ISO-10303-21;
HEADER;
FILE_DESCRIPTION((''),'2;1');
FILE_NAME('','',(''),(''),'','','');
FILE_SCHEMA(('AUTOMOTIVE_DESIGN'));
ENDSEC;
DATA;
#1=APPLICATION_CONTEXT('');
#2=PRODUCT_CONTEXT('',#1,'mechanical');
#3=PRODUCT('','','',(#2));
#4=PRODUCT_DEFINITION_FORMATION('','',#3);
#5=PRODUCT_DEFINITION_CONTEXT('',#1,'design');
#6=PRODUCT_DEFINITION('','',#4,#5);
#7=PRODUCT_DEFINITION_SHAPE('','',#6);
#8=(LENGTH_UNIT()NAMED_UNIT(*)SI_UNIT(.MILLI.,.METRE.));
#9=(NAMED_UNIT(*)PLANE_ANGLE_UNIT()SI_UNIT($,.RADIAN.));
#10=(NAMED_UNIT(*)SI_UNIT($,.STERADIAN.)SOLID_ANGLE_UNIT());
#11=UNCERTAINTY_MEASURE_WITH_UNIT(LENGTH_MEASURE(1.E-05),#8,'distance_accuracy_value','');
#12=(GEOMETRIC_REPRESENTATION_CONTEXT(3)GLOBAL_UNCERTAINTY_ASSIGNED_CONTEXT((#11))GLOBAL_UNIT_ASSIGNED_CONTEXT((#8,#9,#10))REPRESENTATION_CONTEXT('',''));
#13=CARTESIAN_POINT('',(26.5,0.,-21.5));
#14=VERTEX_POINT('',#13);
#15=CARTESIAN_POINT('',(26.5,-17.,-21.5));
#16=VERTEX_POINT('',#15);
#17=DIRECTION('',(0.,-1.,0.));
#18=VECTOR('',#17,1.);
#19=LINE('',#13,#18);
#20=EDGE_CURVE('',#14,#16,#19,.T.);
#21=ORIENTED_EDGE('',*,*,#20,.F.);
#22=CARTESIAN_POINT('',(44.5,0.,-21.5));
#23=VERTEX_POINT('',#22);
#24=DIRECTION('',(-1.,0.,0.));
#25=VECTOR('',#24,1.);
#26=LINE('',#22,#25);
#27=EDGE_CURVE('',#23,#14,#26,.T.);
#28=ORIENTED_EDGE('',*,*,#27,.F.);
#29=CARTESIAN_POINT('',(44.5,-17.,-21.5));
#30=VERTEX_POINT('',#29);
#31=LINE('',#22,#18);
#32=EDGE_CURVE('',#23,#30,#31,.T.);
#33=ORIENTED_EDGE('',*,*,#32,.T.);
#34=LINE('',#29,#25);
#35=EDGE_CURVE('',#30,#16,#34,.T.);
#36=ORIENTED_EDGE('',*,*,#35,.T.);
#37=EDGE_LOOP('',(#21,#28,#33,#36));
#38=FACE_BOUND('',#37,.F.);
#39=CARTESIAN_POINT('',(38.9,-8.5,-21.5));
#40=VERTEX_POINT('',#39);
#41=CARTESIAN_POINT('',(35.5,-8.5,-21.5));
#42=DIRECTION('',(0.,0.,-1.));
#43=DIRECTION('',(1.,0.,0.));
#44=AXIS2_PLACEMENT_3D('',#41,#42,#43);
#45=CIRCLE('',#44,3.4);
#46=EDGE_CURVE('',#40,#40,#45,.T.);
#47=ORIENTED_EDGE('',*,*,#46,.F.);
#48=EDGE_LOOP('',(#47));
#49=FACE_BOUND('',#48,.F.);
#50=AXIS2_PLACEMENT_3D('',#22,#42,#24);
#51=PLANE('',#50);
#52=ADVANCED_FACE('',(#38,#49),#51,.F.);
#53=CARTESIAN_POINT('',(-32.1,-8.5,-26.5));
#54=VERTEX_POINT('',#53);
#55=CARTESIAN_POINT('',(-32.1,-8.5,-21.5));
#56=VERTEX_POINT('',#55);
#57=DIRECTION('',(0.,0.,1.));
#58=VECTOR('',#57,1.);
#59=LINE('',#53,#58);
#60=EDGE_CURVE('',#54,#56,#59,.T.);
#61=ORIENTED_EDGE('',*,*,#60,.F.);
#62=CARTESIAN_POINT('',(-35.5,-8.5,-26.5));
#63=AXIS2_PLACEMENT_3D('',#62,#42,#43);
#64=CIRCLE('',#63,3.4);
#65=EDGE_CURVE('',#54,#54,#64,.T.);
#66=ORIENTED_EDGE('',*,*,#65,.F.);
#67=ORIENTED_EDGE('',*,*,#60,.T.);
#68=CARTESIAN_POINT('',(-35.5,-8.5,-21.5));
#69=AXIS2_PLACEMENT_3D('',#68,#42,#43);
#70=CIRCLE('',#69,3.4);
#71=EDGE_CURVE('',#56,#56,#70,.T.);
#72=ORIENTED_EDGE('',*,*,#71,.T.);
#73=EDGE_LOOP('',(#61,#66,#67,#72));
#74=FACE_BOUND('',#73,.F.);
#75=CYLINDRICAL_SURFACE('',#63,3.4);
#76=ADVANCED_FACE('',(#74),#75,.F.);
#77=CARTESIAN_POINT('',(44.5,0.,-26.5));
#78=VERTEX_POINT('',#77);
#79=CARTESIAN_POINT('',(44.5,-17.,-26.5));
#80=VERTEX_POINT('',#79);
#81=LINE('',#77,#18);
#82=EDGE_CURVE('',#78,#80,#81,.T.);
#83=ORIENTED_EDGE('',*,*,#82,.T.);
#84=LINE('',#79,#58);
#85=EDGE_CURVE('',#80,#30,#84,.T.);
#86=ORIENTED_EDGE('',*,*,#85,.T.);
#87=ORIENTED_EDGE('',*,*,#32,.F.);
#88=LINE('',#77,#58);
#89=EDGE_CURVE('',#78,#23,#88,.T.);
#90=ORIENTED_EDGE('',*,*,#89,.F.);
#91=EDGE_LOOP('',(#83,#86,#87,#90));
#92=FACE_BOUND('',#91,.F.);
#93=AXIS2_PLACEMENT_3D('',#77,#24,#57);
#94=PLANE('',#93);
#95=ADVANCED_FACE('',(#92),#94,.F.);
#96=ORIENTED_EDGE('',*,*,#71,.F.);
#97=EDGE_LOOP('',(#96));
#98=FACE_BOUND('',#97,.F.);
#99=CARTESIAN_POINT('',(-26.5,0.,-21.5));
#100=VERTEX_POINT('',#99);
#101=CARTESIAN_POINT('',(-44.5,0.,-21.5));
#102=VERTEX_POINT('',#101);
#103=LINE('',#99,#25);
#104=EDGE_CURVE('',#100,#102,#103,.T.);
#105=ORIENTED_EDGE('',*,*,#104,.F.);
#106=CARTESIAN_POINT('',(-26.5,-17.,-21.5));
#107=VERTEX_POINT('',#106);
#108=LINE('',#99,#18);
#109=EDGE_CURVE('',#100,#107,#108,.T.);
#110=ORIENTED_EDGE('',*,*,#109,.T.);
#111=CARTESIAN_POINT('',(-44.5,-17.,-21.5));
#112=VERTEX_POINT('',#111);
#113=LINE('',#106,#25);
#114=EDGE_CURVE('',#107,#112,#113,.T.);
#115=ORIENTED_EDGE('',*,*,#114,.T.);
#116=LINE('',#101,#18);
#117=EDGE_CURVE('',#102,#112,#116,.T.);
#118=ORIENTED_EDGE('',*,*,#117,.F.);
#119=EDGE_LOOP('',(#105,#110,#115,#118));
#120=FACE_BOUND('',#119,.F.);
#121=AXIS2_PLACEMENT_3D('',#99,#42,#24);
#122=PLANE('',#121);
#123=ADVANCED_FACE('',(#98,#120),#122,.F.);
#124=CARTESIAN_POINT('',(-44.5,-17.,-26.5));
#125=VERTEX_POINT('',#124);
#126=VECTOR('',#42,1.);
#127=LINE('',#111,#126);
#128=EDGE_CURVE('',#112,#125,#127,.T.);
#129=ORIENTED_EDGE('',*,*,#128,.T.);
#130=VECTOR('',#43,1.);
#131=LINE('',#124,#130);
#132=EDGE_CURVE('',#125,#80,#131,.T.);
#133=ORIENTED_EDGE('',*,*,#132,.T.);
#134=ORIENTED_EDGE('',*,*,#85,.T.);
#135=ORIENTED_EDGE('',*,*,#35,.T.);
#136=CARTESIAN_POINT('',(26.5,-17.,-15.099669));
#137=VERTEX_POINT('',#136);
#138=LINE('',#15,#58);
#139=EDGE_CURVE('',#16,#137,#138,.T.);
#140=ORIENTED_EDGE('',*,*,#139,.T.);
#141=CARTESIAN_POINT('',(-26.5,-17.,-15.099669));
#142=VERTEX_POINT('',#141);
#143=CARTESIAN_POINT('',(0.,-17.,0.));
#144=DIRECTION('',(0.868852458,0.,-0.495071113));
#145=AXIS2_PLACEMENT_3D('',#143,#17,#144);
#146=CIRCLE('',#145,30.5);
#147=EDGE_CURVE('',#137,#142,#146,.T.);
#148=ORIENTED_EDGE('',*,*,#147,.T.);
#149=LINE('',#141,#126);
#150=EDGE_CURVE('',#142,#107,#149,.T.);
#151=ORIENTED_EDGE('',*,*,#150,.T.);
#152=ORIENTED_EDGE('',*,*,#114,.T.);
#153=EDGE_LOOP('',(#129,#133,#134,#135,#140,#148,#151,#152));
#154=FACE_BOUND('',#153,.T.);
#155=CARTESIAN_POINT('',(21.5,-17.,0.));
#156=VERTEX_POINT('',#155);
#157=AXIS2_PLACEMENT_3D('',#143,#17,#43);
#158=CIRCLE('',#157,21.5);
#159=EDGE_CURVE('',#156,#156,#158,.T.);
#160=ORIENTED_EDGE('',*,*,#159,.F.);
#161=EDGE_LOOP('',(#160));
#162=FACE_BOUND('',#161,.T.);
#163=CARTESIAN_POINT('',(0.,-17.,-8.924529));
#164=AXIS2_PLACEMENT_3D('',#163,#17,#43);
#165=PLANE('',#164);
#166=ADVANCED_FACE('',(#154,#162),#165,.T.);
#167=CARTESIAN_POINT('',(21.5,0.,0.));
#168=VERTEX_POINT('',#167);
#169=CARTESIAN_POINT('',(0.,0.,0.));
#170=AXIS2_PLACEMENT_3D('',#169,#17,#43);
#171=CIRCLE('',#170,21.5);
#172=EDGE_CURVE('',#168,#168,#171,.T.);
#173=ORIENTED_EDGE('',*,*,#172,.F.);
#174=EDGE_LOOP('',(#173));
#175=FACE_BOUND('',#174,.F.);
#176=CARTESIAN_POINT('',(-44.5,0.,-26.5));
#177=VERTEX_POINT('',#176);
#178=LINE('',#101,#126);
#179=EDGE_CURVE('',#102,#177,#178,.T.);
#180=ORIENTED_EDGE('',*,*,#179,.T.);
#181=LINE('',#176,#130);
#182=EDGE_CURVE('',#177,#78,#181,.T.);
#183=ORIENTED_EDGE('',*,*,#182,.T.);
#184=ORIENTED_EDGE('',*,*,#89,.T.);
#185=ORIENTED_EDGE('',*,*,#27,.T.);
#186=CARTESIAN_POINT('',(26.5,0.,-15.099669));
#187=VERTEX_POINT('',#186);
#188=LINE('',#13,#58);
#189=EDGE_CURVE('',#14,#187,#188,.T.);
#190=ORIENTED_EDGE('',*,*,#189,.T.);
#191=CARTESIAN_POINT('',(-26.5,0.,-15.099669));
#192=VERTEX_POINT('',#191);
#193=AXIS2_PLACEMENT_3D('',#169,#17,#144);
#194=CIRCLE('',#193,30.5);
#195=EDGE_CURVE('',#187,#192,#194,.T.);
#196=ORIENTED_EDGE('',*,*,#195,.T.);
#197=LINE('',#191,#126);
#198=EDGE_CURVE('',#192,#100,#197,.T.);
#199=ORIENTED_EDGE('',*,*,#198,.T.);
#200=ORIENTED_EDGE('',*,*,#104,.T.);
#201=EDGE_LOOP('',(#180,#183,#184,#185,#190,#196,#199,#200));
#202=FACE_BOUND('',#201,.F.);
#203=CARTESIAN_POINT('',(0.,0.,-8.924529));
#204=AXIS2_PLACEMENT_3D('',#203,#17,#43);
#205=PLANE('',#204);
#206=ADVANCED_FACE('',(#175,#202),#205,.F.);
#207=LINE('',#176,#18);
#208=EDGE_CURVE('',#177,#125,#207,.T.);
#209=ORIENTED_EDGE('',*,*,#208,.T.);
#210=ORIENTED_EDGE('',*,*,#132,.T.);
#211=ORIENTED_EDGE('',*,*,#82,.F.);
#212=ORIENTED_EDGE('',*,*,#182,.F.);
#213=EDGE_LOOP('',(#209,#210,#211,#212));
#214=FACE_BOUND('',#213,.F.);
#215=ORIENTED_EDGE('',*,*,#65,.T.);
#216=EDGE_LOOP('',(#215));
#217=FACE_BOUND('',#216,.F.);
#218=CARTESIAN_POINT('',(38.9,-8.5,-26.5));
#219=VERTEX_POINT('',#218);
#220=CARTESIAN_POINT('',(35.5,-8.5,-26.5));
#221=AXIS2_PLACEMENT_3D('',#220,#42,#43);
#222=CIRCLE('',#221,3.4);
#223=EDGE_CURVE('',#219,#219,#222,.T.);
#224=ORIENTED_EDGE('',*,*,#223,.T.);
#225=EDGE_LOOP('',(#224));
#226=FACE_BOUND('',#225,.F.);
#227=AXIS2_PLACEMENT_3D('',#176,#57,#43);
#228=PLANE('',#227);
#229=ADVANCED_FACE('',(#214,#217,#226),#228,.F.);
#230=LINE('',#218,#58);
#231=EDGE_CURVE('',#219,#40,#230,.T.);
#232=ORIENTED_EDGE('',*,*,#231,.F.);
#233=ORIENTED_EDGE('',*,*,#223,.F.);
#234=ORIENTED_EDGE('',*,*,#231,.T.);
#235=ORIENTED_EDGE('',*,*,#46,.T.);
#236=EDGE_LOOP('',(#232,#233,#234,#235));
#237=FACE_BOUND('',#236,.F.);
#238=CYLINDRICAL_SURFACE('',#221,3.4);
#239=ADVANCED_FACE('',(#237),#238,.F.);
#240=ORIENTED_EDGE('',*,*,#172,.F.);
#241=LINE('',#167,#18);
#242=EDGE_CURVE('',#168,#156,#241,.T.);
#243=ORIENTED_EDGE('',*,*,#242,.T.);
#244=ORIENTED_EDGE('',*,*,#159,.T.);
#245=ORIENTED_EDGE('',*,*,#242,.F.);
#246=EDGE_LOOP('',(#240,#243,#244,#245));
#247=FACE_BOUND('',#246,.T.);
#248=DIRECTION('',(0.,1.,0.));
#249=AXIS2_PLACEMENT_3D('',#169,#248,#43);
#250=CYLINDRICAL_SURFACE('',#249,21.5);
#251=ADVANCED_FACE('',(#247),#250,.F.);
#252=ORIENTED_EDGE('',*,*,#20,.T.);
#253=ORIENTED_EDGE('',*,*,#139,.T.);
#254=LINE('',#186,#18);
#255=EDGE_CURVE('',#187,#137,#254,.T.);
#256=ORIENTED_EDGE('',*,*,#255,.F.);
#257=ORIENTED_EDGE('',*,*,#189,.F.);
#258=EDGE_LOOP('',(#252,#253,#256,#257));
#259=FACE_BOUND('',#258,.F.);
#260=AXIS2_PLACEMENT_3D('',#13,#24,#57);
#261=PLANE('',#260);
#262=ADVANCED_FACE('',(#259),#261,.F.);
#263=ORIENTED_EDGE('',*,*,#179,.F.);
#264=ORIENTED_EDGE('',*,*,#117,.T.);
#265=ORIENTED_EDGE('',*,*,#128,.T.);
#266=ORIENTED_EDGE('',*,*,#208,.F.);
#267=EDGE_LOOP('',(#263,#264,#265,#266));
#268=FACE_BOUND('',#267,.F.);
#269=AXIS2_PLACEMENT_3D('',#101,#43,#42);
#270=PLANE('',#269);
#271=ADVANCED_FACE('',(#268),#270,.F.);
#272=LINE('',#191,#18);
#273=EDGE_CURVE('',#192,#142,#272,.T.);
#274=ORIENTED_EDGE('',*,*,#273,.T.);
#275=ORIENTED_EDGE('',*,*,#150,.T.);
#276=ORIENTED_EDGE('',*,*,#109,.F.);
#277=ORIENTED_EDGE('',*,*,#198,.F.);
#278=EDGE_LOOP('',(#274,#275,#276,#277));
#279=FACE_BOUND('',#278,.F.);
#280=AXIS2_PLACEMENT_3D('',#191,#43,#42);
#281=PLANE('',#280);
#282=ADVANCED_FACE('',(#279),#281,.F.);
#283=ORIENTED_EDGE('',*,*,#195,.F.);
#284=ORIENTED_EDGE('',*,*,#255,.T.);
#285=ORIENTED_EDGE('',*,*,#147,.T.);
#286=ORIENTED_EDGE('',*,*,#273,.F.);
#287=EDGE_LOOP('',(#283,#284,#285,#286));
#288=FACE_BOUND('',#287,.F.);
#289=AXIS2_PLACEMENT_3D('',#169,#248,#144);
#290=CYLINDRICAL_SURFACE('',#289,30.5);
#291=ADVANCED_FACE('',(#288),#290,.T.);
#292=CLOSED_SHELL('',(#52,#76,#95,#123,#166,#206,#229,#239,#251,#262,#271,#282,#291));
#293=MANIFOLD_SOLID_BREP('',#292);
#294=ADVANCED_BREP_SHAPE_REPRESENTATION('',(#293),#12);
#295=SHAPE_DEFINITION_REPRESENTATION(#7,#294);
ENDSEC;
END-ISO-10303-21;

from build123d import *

# Parameters (mm, degrees)
F0_R     = 21.5
F1_DEPTH = 17
F2_R     = 3.4
F3_DEPTH = 57.001


with BuildPart() as f1:
    # F0 (on Front) → F1 (new body)
    with BuildSketch(Plane.XZ):
        with BuildLine():
            Line((-44.5, -21.5), (-44.5, -26.5))
            Line((-44.5, -26.5), (44.5, -26.5))
            Line((44.5, -26.5), (44.5, -21.5))
            Line((44.5, -21.5), (26.5, -21.5))
            Line((26.5, -21.5), (26.5, -15.099669))
            ThreePointArc((26.5, -15.099669), (0, 30.5), (-26.5, -15.099669))
            Line((-26.5, -15.099669), (-26.5, -21.5))
            Line((-26.5, -21.5), (-44.5, -21.5))
        make_face()
        Circle(F0_R, mode=Mode.SUBTRACT)
    extrude(amount=F1_DEPTH)

    # F2 (on face) → F3 (cut, through all)
    with BuildSketch(Plane(origin=(0, 0, -26.5), x_dir=(1, 0, 0), z_dir=(0, 0, -1))):
        with Locations((-35.5, 8.5)):
            Circle(F2_R)
        with Locations((35.5, 8.5)):
            Circle(F2_R)
    extrude(amount=-F3_DEPTH, mode=Mode.SUBTRACT)


solid = f1.part
